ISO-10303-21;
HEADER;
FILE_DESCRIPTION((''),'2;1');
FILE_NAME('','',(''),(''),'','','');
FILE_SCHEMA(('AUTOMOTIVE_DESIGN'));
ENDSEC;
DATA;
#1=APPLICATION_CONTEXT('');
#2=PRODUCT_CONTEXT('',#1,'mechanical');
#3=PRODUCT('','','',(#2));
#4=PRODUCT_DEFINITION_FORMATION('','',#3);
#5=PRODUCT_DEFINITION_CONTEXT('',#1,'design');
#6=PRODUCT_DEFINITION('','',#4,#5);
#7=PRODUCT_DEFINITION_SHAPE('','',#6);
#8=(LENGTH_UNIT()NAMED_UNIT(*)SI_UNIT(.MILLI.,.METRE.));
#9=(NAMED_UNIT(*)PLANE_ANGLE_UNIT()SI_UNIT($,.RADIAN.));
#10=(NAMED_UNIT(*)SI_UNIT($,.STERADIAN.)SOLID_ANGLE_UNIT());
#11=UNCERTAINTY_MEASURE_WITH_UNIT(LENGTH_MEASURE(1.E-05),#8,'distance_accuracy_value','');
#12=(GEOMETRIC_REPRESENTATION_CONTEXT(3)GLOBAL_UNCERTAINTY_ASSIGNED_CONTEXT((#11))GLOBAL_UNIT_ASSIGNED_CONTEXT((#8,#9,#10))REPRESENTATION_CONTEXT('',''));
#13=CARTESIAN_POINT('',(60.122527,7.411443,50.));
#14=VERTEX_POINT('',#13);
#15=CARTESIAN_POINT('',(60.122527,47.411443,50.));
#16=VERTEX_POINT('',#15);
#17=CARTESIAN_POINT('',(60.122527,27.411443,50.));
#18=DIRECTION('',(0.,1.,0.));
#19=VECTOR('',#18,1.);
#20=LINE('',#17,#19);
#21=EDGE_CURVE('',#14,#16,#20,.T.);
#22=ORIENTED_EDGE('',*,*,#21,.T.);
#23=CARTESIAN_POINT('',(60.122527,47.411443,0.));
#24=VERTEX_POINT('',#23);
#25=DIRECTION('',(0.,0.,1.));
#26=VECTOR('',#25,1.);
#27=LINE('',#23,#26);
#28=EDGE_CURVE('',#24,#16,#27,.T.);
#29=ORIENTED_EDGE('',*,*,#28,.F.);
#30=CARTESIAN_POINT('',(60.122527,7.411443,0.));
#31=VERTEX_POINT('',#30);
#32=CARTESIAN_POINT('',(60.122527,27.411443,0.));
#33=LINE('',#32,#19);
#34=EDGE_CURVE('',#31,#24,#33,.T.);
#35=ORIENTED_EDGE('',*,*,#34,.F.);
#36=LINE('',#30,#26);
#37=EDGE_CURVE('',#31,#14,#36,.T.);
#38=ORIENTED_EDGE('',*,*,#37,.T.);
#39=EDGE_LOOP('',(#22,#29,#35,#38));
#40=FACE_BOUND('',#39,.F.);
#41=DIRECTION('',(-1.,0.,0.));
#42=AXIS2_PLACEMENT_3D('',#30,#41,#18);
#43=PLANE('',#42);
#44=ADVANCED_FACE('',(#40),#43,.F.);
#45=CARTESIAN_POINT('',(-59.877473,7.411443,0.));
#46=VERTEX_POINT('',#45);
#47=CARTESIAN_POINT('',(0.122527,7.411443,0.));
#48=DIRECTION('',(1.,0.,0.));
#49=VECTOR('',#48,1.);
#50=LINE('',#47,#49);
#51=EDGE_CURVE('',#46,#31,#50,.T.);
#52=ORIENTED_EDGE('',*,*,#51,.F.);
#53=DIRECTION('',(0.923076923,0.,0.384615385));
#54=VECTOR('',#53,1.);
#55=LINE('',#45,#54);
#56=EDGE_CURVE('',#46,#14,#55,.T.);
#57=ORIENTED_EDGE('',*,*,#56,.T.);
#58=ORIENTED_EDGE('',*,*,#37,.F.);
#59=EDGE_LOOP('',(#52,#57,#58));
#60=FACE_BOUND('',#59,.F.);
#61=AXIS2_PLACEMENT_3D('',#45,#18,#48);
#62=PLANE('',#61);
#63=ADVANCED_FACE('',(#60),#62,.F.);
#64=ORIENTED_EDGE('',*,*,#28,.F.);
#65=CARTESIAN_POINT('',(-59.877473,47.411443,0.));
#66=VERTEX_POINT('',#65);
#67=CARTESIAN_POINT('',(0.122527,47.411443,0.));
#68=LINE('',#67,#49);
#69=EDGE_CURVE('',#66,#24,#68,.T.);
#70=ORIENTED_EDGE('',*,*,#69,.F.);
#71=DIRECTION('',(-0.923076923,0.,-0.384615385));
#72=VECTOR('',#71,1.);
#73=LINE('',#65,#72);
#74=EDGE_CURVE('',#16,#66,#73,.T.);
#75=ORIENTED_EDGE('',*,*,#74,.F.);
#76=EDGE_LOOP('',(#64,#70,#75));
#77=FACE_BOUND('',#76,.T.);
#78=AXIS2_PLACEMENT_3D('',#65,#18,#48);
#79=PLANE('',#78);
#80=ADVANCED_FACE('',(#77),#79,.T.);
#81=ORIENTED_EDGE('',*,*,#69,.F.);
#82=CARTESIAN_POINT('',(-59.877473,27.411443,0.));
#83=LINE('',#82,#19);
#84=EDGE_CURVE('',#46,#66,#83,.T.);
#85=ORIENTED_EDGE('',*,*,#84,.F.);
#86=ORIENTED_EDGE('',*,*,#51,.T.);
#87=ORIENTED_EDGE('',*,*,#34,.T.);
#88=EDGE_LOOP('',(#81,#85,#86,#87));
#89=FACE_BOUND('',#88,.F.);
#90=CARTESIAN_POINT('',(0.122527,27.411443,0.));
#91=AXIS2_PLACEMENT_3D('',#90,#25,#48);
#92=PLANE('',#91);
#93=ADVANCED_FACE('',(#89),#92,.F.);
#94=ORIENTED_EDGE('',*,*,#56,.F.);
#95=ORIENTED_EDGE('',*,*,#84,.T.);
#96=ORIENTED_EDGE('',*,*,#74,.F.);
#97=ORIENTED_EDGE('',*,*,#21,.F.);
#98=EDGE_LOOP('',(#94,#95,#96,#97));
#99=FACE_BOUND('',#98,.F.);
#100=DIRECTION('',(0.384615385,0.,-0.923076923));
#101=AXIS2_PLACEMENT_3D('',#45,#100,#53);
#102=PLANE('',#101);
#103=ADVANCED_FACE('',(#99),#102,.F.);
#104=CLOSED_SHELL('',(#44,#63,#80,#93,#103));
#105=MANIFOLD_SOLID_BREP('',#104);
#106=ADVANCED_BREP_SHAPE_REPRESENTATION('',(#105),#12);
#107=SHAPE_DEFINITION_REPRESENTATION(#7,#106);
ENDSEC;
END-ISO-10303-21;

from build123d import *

# Parameters (mm, degrees)
F0_W     = 120
F0_H     = 40
F1_DEPTH = 50
F3_DEPTH = 40.001


with BuildPart() as f1:
    # F0 (on Top) → F1 (new body)
    with BuildSketch(Plane.XY):
        with Locations((0.122527, 27.411443)):
            Rectangle(F0_W, F0_H)
    extrude(amount=F1_DEPTH)

    # F2 (on face) → F3 (cut, through all)
    with BuildSketch(Plane.XZ.offset(-7.411443)):
        Polygon((-59.877473, 50), (-59.877473, 0), (60.122527, 50), align=None)
    extrude(amount=-F3_DEPTH, mode=Mode.SUBTRACT)


solid = f1.part
